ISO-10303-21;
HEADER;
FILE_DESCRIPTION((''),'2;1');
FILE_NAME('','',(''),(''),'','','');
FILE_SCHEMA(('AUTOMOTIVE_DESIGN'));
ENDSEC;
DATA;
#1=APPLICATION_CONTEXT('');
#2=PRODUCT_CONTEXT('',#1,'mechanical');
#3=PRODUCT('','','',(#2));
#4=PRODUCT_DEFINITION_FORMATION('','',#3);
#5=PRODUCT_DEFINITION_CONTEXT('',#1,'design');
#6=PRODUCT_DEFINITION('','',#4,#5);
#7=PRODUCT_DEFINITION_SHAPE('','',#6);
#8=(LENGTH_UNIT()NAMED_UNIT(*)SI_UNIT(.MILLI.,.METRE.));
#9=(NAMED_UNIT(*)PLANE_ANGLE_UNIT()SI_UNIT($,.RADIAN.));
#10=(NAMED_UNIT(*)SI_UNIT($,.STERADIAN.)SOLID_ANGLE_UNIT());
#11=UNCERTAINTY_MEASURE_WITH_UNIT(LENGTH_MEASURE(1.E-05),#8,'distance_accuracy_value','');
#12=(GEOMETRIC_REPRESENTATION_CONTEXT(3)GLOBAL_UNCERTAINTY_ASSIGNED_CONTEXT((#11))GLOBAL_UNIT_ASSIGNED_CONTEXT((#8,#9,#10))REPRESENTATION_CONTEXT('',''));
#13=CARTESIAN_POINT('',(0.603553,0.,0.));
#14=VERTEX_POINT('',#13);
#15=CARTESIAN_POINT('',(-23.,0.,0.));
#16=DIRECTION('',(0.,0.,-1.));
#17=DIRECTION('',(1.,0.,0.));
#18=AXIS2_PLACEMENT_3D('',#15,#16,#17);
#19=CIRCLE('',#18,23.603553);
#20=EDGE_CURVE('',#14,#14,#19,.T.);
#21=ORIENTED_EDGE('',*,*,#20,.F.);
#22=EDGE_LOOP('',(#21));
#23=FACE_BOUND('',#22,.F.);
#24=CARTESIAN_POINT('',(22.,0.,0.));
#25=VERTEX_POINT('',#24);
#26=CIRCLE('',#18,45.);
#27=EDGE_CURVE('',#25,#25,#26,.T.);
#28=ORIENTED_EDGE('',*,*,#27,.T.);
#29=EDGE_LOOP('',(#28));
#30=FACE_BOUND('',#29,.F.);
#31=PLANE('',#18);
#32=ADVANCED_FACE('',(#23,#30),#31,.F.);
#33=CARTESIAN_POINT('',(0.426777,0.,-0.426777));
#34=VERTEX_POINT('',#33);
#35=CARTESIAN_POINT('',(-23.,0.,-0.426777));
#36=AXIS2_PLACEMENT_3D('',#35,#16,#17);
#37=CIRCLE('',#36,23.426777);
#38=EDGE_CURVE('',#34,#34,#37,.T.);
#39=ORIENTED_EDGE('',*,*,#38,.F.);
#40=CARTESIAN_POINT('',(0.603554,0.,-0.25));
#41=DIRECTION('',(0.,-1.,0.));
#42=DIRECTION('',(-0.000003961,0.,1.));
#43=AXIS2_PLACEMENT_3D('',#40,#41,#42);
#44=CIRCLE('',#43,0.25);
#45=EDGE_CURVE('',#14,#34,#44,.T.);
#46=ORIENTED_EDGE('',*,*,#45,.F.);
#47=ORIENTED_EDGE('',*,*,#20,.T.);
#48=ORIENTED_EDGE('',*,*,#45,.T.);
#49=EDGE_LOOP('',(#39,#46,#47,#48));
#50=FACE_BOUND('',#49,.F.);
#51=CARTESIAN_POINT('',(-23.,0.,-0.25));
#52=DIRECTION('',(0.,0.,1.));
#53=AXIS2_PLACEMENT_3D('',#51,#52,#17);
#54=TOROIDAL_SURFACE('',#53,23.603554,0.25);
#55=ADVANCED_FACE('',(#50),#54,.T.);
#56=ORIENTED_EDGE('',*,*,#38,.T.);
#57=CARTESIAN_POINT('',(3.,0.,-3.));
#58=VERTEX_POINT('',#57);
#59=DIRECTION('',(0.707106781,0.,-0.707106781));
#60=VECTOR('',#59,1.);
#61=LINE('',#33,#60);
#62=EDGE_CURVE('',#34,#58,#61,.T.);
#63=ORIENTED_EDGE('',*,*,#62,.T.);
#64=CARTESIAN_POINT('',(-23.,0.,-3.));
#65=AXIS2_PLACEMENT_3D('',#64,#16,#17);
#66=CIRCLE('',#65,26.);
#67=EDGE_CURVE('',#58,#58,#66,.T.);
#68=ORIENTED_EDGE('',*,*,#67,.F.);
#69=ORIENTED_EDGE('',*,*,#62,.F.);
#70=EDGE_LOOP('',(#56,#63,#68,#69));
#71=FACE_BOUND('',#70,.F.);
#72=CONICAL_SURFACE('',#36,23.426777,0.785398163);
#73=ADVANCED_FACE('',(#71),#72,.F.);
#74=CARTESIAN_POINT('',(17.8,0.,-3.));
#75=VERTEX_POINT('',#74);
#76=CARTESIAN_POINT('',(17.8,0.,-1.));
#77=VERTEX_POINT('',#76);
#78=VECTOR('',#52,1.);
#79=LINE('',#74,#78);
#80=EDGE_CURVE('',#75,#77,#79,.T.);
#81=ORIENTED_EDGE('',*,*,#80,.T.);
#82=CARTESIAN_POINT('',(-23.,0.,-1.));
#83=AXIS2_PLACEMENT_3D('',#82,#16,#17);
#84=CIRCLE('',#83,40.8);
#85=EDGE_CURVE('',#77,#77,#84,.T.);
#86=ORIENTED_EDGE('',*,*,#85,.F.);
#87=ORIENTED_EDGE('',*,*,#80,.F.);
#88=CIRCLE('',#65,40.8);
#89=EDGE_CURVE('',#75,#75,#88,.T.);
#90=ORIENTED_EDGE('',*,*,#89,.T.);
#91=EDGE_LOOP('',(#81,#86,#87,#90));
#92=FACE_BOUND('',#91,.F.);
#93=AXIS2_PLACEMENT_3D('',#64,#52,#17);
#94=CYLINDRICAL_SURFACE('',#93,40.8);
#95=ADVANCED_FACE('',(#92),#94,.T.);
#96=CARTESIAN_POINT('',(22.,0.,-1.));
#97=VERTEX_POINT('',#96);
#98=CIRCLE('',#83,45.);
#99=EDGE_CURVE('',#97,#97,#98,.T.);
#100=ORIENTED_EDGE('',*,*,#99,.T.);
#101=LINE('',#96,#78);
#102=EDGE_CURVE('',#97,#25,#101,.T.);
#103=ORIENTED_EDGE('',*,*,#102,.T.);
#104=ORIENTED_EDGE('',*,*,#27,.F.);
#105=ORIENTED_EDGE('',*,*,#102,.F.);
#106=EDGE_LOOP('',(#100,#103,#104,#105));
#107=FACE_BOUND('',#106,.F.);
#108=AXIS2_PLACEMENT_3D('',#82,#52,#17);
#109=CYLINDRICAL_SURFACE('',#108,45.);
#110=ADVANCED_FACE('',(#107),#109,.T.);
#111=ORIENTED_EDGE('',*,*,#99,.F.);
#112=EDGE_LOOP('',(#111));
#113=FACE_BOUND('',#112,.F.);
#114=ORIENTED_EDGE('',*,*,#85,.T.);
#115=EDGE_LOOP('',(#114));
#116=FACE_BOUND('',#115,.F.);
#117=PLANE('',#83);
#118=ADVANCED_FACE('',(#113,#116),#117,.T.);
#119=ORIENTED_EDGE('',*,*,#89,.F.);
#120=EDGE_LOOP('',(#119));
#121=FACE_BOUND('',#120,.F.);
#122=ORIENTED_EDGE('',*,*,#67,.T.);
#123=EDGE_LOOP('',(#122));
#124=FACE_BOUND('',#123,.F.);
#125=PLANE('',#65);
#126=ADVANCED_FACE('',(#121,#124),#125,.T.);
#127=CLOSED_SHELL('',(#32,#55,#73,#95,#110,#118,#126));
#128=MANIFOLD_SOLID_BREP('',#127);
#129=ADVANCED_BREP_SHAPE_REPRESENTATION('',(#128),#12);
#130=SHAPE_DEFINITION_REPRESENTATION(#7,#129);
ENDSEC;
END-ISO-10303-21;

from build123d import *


with BuildPart() as f1:
    # F0 (on Front) → F1 (revolve)
    with BuildSketch(Plane.XZ):
        with BuildLine():
            ThreePointArc((0.603553, 0), (0.372584, -0.154329), (0.426777, -0.426777))
            Line((0.426777, -0.426777), (3, -3))
            Line((3, -3), (17.8, -3))
            Line((17.8, -3), (17.8, -1))
            Line((17.8, -1), (22, -1))
            Line((22, -1), (22, 0))
            Line((22, 0), (0.603553, 0))
        make_face()
    revolve(axis=Axis((-23, 0, -3.261174), (0, 0, -1)))


solid = f1.part
